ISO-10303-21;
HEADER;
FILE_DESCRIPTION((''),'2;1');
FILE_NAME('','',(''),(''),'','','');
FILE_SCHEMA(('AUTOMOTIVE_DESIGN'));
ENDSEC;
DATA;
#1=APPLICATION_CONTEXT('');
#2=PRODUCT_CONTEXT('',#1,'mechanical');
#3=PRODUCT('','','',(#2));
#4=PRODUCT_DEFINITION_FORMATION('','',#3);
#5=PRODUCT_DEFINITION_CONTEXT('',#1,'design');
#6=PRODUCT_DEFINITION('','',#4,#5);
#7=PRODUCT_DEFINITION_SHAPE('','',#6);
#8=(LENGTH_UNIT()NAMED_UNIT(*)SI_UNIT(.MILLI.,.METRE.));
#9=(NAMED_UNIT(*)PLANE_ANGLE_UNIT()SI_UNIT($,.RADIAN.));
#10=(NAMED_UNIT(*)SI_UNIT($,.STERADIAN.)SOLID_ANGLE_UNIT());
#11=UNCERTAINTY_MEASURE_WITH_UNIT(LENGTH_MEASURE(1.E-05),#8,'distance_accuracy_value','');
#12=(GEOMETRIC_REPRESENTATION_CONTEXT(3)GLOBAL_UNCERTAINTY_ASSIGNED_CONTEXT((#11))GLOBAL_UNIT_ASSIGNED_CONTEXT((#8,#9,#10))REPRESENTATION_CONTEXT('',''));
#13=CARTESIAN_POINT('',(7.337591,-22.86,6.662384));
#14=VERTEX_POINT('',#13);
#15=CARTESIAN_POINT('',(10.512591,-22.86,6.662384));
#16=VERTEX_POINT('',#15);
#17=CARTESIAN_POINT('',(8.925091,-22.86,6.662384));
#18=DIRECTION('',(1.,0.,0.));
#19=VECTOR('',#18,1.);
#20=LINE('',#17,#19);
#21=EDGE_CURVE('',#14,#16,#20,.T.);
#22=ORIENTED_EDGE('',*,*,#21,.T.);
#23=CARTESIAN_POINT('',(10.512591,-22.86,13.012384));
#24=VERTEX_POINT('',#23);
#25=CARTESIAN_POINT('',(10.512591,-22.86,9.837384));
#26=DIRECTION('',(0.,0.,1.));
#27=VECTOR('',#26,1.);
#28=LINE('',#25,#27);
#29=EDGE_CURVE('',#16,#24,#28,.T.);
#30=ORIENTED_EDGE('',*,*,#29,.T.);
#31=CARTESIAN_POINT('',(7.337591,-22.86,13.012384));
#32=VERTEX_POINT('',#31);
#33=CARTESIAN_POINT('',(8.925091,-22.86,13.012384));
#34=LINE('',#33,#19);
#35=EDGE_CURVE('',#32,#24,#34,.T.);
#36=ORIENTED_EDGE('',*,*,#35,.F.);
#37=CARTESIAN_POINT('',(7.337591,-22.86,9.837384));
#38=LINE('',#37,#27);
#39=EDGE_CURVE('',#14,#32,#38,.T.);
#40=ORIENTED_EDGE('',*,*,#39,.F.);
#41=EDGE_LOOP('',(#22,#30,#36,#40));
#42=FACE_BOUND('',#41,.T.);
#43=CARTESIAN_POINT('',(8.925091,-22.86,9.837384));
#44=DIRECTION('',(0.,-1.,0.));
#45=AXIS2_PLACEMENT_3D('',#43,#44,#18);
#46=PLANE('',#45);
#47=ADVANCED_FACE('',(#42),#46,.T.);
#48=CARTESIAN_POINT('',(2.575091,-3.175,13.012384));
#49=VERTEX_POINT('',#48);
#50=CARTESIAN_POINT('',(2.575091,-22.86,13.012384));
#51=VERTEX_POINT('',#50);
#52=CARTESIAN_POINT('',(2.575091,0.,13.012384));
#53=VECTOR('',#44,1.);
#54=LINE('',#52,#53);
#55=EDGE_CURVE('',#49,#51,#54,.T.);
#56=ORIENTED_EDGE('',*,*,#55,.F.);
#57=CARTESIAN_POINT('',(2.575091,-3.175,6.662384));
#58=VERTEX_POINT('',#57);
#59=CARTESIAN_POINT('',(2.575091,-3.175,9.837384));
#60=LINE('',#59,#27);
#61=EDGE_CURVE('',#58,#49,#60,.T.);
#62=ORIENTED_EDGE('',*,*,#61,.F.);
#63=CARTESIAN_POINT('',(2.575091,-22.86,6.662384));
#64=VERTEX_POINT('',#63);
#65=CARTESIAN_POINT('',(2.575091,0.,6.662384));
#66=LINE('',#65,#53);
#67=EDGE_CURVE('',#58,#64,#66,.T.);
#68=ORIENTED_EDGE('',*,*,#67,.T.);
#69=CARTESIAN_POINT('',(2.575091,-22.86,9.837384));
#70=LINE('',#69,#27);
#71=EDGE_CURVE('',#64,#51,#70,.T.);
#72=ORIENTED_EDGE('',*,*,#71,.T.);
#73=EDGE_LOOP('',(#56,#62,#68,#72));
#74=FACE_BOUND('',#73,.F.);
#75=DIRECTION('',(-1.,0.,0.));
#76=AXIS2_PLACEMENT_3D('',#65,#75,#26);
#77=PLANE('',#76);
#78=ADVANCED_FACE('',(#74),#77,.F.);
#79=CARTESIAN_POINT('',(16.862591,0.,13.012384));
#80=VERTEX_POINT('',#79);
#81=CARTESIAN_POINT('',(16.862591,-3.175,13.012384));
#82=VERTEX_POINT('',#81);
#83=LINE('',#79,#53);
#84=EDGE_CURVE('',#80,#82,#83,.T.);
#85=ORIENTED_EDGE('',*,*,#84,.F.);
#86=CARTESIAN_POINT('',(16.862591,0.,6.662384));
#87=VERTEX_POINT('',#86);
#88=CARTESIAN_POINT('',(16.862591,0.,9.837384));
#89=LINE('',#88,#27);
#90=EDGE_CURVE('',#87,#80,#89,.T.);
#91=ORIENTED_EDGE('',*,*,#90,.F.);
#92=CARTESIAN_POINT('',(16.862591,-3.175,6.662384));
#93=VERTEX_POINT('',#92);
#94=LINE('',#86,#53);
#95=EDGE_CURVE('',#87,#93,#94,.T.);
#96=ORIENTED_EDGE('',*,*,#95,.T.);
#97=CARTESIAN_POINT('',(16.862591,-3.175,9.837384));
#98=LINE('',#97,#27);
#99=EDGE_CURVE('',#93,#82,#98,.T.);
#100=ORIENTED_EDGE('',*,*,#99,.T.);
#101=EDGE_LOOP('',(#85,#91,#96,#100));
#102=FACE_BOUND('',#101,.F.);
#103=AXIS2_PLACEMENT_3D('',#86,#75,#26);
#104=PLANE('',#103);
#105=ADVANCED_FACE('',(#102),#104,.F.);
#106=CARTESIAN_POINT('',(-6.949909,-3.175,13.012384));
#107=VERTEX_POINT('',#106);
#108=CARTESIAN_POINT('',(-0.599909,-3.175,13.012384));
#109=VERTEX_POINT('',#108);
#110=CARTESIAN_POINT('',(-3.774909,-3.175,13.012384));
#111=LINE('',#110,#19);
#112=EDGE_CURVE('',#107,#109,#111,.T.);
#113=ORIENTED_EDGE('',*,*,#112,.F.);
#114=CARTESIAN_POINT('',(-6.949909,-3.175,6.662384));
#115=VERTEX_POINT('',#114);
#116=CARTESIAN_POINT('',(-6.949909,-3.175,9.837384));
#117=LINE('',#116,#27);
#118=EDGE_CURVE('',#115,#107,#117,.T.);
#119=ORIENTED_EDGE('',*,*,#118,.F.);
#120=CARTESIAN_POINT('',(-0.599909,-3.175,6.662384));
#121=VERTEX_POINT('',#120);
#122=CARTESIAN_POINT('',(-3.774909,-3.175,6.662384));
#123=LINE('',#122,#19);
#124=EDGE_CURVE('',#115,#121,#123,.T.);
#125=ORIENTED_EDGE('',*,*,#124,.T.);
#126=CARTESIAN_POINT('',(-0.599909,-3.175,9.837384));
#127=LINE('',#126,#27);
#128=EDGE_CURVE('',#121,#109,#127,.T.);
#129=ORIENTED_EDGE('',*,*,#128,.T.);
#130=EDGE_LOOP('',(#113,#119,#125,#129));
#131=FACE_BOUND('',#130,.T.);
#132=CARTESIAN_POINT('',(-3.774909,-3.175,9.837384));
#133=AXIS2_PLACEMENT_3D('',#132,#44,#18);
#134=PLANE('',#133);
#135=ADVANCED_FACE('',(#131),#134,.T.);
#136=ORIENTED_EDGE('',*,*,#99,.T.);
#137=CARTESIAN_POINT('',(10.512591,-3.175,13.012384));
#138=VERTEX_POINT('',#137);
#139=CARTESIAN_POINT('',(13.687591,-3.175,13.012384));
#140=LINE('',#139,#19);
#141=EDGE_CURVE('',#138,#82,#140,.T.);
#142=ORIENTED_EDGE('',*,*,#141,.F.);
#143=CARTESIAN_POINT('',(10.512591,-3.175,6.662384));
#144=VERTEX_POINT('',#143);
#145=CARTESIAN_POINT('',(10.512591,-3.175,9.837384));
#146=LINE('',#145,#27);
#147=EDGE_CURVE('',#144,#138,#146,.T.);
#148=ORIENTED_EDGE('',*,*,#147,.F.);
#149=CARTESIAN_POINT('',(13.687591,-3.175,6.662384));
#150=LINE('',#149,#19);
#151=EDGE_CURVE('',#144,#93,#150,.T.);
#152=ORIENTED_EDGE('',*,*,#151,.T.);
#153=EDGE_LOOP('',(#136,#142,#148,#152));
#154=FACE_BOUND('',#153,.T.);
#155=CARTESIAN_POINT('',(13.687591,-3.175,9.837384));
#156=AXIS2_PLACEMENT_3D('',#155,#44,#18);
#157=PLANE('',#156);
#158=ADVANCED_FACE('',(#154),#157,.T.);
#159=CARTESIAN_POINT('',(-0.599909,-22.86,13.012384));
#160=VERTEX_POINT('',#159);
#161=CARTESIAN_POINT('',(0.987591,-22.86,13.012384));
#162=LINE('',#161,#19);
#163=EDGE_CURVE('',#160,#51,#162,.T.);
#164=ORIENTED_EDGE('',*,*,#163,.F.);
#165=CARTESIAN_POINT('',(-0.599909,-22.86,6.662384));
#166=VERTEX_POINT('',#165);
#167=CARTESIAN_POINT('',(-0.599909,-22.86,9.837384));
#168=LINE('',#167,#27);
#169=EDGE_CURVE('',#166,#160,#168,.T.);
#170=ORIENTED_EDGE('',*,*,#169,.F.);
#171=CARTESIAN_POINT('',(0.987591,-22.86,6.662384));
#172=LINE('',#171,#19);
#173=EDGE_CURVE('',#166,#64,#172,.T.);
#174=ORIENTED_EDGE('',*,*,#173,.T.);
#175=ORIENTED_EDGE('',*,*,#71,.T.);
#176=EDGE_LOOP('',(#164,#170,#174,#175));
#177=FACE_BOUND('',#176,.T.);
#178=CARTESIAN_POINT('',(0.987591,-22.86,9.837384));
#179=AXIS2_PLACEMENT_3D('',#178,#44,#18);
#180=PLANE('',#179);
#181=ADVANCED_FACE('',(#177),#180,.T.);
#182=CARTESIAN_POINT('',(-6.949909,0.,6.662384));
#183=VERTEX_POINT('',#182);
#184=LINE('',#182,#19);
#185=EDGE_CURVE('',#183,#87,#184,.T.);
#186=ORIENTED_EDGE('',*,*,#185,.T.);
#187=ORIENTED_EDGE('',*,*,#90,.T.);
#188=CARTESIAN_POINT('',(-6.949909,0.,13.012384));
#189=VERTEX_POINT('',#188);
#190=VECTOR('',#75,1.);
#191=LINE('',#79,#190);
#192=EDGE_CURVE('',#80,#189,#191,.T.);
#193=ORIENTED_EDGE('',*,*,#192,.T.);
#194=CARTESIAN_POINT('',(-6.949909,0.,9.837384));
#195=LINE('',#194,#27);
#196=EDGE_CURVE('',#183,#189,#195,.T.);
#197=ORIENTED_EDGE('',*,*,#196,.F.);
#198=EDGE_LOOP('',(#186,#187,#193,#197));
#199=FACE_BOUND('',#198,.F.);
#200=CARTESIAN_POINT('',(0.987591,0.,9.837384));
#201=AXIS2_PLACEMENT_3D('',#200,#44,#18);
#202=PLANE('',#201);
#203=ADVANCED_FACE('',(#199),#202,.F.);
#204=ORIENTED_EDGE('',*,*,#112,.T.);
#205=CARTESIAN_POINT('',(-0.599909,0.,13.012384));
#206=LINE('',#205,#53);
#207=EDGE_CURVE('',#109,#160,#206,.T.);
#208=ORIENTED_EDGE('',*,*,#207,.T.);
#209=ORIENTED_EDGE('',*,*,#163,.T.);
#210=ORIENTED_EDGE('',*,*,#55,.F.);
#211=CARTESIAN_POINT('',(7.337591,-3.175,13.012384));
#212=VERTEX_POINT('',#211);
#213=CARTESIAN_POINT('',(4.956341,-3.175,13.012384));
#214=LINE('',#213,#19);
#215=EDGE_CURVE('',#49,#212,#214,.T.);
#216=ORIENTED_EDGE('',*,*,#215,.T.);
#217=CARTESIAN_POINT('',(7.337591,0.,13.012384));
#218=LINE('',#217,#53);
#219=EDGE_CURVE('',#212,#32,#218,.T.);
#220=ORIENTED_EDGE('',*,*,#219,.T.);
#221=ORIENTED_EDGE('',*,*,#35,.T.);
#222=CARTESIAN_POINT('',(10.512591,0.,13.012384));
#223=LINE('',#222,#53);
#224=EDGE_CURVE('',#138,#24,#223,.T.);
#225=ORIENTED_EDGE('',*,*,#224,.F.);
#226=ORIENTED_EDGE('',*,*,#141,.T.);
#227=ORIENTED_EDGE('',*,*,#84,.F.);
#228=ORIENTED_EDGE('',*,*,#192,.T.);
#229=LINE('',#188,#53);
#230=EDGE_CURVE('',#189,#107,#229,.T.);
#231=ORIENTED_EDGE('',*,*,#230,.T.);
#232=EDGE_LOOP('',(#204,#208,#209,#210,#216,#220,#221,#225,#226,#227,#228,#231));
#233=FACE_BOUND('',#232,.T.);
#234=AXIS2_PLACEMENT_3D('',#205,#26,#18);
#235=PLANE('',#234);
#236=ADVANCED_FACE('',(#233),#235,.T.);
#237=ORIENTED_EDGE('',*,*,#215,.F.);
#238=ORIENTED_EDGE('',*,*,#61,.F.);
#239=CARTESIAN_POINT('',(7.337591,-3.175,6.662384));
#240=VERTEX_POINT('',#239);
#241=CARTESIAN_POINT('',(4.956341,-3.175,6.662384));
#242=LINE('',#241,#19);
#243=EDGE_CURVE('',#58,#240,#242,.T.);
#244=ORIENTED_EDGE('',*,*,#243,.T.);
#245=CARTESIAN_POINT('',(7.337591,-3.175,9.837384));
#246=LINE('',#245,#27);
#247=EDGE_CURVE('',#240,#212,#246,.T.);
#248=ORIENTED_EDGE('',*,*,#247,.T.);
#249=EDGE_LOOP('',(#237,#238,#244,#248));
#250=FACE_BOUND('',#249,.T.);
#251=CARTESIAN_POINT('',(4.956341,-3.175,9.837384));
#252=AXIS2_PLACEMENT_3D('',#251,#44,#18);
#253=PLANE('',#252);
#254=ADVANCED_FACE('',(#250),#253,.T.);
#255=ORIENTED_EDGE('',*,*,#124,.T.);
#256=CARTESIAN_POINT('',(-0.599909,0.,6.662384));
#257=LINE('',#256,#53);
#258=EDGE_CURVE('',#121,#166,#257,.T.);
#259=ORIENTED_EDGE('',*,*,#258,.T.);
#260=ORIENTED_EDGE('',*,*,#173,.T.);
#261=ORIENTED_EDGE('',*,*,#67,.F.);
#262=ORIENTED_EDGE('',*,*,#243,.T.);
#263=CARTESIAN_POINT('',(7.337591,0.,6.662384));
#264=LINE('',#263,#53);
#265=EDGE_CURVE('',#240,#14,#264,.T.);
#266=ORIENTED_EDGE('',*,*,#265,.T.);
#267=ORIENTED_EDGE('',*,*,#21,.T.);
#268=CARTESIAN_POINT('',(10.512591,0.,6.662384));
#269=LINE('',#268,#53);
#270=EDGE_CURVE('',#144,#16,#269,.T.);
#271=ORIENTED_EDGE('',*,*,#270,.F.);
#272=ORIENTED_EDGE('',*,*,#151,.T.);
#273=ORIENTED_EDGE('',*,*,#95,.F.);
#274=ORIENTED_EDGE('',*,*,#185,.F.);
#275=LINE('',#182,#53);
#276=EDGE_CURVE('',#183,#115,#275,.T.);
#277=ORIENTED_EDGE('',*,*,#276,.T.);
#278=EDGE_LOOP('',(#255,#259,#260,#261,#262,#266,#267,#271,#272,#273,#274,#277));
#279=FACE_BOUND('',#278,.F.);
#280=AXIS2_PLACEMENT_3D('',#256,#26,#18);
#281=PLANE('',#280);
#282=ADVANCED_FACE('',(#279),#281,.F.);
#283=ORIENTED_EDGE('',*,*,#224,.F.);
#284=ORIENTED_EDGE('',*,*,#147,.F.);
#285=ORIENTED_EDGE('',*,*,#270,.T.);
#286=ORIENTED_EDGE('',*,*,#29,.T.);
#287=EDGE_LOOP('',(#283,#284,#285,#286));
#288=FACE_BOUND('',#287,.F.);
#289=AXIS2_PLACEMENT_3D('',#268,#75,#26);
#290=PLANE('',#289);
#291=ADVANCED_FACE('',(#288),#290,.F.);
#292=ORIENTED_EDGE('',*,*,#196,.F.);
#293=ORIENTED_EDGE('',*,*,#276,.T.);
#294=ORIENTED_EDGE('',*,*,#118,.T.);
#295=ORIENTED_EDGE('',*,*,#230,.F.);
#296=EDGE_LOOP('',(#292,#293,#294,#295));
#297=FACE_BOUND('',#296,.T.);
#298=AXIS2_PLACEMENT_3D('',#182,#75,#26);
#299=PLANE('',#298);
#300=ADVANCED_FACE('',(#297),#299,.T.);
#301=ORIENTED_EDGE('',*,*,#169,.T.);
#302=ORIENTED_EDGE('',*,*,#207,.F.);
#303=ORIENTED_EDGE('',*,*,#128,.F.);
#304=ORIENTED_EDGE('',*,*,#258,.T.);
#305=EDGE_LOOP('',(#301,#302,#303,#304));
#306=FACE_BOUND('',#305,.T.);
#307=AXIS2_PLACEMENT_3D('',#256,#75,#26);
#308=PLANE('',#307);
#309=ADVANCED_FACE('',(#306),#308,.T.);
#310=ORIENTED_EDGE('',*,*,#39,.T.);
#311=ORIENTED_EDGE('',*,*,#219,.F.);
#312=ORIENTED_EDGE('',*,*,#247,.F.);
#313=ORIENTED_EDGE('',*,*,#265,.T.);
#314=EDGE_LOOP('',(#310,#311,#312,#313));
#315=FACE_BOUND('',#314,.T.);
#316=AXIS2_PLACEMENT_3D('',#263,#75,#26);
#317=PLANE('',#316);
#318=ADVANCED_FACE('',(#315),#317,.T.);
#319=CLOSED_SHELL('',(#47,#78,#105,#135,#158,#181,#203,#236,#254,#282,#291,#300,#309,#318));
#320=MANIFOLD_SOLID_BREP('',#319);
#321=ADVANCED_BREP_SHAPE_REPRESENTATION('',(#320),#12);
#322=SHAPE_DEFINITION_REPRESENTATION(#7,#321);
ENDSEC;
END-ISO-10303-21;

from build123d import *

# Parameters (mm, degrees)
F0_W     = 6.35
F0_H     = 6.35
F0_W_2   = 4.7625
F1_DEPTH = 3.175
F0_W_3   = 3.175
F2_DEPTH = 22.86


with BuildPart() as f1:
    # F0 (on Front) → F1 (new body)
    with BuildSketch(Plane.XZ):
        with Locations((-3.774909, 9.837384)):
            Rectangle(F0_W, F0_H)
        with Locations((4.956341, 9.837384)):
            Rectangle(F0_W_2, F0_H)
        with Locations((13.687591, 9.837384)):
            Rectangle(F0_W, F0_H)
    extrude(amount=F1_DEPTH)

    # F0 (on Front) → F2 (join)
    with BuildSketch(Plane.XZ):
        with Locations((0.987591, 9.837384)):
            Rectangle(F0_W_3, F0_H)
        with Locations((8.925091, 9.837384)):
            Rectangle(F0_W_3, F0_H)
    extrude(amount=F2_DEPTH)


solid = f1.part
